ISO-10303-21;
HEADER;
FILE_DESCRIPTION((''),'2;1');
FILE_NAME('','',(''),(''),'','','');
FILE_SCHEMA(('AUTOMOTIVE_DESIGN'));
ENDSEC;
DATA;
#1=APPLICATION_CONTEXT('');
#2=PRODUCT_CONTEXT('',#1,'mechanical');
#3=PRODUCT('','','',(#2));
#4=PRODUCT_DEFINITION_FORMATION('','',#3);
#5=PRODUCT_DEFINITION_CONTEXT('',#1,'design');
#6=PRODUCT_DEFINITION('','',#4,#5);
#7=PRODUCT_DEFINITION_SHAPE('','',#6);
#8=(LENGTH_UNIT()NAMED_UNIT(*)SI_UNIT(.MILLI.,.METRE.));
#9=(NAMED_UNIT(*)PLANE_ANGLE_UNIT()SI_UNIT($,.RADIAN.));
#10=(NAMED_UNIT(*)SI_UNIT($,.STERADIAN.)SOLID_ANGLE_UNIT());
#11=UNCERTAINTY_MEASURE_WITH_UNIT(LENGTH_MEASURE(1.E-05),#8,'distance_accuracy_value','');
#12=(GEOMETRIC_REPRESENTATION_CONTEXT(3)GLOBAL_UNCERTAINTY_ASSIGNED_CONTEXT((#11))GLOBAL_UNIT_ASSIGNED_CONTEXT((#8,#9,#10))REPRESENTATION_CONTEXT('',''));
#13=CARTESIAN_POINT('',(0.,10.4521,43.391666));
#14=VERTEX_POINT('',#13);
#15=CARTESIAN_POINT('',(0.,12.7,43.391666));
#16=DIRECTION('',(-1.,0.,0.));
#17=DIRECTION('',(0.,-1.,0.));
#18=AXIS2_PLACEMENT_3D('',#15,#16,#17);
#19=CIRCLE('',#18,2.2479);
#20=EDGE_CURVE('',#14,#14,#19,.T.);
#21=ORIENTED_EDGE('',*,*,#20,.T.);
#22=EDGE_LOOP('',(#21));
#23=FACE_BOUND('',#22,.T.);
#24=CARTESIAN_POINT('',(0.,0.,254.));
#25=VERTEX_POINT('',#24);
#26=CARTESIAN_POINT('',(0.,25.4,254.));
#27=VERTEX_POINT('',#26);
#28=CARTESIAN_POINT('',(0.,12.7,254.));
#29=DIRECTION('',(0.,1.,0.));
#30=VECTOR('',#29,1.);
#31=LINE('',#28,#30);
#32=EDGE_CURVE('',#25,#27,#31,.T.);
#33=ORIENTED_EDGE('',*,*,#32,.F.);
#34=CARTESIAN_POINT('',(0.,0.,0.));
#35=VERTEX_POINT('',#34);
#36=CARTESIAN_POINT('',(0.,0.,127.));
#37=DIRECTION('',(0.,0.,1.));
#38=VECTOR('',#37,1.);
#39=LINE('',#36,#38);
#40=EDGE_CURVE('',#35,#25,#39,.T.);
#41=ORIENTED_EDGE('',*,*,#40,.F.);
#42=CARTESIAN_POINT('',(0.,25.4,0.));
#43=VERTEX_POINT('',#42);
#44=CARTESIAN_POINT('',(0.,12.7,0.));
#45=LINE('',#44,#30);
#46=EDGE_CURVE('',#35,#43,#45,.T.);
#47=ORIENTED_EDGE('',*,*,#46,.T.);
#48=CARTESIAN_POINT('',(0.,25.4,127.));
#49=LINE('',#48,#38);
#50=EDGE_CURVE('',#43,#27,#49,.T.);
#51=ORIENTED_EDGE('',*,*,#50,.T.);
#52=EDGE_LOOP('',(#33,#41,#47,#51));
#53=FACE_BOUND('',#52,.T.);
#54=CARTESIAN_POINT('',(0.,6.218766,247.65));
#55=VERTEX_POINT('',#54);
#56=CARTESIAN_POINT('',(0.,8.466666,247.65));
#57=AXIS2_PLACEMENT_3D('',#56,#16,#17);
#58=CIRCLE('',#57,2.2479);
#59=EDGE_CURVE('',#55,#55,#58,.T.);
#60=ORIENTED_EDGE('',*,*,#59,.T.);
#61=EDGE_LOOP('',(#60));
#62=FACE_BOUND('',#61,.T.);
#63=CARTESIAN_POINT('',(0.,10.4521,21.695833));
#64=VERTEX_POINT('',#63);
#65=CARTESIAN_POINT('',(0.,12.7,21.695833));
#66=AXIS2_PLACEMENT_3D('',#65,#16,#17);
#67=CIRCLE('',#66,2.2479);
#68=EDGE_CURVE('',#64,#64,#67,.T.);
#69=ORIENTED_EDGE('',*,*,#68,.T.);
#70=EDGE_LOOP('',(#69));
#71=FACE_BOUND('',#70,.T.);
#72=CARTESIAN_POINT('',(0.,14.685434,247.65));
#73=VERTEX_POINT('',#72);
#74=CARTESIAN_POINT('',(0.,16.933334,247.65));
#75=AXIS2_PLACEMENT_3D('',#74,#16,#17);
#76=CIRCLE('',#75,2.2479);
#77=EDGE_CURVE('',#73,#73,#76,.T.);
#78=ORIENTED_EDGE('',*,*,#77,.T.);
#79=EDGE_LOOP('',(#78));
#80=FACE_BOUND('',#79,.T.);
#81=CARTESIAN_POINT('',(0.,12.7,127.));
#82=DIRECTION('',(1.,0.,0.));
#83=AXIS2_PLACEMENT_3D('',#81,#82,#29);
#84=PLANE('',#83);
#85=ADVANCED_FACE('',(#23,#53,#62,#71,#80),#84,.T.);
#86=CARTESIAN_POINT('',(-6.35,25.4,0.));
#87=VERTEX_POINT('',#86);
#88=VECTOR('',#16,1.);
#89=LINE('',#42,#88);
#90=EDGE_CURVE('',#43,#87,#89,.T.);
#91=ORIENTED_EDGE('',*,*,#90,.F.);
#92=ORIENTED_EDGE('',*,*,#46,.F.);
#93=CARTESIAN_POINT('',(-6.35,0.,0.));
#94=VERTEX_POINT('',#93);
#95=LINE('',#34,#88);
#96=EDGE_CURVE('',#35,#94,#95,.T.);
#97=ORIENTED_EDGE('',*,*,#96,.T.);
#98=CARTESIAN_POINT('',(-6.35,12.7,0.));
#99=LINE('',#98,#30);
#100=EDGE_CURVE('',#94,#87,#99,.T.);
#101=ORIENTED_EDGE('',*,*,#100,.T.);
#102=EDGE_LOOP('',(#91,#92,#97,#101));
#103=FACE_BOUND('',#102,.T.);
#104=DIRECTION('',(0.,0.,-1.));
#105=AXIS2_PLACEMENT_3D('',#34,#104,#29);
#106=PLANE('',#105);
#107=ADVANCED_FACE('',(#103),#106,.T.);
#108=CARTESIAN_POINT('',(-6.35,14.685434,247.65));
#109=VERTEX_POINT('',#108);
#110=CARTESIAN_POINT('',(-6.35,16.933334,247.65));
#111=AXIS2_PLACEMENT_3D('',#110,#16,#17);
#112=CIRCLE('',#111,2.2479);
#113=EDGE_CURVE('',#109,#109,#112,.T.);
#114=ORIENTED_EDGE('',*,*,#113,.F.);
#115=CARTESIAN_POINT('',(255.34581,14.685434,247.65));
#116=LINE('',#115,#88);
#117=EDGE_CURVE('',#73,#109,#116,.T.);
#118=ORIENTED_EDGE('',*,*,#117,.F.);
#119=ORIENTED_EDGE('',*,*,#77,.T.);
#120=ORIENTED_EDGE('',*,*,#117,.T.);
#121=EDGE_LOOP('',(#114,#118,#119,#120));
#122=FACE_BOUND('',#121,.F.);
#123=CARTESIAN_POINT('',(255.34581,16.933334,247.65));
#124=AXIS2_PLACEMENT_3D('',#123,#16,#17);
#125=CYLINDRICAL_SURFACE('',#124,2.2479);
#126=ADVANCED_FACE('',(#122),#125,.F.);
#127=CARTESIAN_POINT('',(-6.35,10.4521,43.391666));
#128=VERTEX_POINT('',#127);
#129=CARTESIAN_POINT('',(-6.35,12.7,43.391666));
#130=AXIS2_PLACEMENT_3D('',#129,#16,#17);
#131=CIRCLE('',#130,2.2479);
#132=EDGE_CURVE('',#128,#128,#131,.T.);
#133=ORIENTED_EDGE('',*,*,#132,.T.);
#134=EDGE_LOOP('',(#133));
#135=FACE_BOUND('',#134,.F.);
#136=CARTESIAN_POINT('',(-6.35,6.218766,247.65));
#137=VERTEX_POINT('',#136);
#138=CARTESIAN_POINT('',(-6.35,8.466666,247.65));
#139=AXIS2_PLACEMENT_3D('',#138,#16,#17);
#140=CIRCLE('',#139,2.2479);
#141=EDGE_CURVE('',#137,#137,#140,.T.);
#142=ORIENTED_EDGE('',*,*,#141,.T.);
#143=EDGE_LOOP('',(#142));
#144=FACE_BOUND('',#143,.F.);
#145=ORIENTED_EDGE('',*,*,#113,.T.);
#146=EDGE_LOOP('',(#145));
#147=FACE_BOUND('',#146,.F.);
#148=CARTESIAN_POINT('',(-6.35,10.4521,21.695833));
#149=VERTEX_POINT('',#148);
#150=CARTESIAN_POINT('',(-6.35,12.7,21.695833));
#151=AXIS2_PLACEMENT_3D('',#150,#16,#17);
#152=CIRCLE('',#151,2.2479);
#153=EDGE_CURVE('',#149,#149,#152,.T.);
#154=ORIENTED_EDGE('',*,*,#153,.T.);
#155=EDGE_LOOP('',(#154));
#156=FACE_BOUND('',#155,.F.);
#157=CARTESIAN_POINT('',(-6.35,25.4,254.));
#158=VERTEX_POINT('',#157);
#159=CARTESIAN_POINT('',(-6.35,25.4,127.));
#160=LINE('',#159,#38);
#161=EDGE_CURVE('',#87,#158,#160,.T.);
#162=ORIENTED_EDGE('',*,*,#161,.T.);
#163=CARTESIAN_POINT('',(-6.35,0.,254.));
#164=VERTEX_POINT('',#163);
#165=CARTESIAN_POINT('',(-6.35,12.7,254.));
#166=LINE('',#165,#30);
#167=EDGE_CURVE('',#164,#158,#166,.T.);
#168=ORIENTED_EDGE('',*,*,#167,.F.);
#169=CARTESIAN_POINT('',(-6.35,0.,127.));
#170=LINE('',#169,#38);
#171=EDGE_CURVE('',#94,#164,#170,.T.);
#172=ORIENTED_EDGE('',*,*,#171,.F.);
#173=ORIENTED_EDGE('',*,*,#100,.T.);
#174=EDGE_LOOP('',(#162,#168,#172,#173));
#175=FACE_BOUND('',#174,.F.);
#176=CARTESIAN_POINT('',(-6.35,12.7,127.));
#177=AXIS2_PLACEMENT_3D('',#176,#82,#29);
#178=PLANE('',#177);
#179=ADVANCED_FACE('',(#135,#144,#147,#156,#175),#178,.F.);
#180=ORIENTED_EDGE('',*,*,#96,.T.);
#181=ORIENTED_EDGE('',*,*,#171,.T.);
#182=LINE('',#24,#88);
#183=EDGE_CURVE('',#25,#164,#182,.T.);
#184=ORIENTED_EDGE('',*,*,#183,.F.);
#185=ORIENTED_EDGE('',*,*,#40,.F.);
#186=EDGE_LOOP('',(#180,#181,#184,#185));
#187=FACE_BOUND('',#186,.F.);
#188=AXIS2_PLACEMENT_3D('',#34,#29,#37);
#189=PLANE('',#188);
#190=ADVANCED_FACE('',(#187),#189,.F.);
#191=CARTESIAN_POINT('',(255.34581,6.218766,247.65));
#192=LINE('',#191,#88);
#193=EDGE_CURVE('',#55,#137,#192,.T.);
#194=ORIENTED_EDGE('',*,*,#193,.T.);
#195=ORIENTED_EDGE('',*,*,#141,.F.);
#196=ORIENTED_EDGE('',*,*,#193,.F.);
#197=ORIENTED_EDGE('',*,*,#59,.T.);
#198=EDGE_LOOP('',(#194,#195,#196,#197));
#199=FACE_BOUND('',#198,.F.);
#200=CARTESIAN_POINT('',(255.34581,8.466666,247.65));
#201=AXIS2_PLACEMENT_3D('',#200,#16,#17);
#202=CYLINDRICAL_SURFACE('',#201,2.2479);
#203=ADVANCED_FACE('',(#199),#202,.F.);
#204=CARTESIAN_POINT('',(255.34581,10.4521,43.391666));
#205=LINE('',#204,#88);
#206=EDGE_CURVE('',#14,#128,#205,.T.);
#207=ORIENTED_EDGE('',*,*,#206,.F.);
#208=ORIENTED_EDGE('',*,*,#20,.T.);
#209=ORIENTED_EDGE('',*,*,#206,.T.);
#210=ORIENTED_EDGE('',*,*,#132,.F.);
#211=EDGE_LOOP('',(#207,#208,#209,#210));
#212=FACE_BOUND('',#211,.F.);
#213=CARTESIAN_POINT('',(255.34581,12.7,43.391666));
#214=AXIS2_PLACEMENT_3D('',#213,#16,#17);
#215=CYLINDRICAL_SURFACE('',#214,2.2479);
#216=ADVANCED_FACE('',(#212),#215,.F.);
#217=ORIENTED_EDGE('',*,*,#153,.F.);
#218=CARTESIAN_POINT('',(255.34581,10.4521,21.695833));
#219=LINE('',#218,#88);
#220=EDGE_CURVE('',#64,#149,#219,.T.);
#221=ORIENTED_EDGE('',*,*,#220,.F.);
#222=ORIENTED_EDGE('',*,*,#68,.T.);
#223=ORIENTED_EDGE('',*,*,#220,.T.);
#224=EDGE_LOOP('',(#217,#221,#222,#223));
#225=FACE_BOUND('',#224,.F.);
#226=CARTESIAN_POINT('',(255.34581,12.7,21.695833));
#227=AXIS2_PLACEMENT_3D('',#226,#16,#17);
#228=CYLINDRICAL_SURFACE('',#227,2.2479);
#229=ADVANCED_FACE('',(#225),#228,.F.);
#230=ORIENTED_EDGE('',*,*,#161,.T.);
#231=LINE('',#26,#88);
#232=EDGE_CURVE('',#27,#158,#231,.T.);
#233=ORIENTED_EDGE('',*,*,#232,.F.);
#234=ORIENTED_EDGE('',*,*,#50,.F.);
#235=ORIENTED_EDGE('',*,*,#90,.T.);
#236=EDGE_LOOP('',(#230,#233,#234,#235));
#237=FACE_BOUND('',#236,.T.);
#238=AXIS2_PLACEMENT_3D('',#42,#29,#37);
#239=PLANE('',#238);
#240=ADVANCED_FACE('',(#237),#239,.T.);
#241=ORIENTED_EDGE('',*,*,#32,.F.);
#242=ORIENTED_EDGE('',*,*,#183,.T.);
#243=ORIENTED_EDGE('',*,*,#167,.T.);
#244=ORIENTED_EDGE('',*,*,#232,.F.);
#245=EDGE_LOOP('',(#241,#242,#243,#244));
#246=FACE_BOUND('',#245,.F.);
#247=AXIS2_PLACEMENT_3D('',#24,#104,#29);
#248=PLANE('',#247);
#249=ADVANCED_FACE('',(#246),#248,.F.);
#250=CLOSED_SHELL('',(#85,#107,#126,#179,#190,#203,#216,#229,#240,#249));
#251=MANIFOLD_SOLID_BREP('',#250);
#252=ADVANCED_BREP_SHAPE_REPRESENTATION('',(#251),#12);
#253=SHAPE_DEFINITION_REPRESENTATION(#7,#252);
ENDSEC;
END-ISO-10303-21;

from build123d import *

# Parameters (mm, degrees)
F0_W     = 25.4
F0_H     = 254
F1_DEPTH = 6.35
F3_D     = 4.4958
F5_D     = 4.4958


with BuildPart() as f1:
    # F0 (on Right) → F1 (new body)
    with BuildSketch(Plane.YZ):
        with Locations((12.7, 127)):
            Rectangle(F0_W, F0_H)
    extrude(amount=-F1_DEPTH)

    # F3 (through all)
    with Locations(Plane.YZ):
        with Locations((8.46666582, 247.65), (16.93333418, 247.65)):
            Hole(F3_D / 2)

    # F5 (through all)
    with Locations(Plane.YZ):
        with Locations((12.7, 43.391666328), (12.7, 21.695833164)):
            Hole(F5_D / 2)


solid = f1.part
